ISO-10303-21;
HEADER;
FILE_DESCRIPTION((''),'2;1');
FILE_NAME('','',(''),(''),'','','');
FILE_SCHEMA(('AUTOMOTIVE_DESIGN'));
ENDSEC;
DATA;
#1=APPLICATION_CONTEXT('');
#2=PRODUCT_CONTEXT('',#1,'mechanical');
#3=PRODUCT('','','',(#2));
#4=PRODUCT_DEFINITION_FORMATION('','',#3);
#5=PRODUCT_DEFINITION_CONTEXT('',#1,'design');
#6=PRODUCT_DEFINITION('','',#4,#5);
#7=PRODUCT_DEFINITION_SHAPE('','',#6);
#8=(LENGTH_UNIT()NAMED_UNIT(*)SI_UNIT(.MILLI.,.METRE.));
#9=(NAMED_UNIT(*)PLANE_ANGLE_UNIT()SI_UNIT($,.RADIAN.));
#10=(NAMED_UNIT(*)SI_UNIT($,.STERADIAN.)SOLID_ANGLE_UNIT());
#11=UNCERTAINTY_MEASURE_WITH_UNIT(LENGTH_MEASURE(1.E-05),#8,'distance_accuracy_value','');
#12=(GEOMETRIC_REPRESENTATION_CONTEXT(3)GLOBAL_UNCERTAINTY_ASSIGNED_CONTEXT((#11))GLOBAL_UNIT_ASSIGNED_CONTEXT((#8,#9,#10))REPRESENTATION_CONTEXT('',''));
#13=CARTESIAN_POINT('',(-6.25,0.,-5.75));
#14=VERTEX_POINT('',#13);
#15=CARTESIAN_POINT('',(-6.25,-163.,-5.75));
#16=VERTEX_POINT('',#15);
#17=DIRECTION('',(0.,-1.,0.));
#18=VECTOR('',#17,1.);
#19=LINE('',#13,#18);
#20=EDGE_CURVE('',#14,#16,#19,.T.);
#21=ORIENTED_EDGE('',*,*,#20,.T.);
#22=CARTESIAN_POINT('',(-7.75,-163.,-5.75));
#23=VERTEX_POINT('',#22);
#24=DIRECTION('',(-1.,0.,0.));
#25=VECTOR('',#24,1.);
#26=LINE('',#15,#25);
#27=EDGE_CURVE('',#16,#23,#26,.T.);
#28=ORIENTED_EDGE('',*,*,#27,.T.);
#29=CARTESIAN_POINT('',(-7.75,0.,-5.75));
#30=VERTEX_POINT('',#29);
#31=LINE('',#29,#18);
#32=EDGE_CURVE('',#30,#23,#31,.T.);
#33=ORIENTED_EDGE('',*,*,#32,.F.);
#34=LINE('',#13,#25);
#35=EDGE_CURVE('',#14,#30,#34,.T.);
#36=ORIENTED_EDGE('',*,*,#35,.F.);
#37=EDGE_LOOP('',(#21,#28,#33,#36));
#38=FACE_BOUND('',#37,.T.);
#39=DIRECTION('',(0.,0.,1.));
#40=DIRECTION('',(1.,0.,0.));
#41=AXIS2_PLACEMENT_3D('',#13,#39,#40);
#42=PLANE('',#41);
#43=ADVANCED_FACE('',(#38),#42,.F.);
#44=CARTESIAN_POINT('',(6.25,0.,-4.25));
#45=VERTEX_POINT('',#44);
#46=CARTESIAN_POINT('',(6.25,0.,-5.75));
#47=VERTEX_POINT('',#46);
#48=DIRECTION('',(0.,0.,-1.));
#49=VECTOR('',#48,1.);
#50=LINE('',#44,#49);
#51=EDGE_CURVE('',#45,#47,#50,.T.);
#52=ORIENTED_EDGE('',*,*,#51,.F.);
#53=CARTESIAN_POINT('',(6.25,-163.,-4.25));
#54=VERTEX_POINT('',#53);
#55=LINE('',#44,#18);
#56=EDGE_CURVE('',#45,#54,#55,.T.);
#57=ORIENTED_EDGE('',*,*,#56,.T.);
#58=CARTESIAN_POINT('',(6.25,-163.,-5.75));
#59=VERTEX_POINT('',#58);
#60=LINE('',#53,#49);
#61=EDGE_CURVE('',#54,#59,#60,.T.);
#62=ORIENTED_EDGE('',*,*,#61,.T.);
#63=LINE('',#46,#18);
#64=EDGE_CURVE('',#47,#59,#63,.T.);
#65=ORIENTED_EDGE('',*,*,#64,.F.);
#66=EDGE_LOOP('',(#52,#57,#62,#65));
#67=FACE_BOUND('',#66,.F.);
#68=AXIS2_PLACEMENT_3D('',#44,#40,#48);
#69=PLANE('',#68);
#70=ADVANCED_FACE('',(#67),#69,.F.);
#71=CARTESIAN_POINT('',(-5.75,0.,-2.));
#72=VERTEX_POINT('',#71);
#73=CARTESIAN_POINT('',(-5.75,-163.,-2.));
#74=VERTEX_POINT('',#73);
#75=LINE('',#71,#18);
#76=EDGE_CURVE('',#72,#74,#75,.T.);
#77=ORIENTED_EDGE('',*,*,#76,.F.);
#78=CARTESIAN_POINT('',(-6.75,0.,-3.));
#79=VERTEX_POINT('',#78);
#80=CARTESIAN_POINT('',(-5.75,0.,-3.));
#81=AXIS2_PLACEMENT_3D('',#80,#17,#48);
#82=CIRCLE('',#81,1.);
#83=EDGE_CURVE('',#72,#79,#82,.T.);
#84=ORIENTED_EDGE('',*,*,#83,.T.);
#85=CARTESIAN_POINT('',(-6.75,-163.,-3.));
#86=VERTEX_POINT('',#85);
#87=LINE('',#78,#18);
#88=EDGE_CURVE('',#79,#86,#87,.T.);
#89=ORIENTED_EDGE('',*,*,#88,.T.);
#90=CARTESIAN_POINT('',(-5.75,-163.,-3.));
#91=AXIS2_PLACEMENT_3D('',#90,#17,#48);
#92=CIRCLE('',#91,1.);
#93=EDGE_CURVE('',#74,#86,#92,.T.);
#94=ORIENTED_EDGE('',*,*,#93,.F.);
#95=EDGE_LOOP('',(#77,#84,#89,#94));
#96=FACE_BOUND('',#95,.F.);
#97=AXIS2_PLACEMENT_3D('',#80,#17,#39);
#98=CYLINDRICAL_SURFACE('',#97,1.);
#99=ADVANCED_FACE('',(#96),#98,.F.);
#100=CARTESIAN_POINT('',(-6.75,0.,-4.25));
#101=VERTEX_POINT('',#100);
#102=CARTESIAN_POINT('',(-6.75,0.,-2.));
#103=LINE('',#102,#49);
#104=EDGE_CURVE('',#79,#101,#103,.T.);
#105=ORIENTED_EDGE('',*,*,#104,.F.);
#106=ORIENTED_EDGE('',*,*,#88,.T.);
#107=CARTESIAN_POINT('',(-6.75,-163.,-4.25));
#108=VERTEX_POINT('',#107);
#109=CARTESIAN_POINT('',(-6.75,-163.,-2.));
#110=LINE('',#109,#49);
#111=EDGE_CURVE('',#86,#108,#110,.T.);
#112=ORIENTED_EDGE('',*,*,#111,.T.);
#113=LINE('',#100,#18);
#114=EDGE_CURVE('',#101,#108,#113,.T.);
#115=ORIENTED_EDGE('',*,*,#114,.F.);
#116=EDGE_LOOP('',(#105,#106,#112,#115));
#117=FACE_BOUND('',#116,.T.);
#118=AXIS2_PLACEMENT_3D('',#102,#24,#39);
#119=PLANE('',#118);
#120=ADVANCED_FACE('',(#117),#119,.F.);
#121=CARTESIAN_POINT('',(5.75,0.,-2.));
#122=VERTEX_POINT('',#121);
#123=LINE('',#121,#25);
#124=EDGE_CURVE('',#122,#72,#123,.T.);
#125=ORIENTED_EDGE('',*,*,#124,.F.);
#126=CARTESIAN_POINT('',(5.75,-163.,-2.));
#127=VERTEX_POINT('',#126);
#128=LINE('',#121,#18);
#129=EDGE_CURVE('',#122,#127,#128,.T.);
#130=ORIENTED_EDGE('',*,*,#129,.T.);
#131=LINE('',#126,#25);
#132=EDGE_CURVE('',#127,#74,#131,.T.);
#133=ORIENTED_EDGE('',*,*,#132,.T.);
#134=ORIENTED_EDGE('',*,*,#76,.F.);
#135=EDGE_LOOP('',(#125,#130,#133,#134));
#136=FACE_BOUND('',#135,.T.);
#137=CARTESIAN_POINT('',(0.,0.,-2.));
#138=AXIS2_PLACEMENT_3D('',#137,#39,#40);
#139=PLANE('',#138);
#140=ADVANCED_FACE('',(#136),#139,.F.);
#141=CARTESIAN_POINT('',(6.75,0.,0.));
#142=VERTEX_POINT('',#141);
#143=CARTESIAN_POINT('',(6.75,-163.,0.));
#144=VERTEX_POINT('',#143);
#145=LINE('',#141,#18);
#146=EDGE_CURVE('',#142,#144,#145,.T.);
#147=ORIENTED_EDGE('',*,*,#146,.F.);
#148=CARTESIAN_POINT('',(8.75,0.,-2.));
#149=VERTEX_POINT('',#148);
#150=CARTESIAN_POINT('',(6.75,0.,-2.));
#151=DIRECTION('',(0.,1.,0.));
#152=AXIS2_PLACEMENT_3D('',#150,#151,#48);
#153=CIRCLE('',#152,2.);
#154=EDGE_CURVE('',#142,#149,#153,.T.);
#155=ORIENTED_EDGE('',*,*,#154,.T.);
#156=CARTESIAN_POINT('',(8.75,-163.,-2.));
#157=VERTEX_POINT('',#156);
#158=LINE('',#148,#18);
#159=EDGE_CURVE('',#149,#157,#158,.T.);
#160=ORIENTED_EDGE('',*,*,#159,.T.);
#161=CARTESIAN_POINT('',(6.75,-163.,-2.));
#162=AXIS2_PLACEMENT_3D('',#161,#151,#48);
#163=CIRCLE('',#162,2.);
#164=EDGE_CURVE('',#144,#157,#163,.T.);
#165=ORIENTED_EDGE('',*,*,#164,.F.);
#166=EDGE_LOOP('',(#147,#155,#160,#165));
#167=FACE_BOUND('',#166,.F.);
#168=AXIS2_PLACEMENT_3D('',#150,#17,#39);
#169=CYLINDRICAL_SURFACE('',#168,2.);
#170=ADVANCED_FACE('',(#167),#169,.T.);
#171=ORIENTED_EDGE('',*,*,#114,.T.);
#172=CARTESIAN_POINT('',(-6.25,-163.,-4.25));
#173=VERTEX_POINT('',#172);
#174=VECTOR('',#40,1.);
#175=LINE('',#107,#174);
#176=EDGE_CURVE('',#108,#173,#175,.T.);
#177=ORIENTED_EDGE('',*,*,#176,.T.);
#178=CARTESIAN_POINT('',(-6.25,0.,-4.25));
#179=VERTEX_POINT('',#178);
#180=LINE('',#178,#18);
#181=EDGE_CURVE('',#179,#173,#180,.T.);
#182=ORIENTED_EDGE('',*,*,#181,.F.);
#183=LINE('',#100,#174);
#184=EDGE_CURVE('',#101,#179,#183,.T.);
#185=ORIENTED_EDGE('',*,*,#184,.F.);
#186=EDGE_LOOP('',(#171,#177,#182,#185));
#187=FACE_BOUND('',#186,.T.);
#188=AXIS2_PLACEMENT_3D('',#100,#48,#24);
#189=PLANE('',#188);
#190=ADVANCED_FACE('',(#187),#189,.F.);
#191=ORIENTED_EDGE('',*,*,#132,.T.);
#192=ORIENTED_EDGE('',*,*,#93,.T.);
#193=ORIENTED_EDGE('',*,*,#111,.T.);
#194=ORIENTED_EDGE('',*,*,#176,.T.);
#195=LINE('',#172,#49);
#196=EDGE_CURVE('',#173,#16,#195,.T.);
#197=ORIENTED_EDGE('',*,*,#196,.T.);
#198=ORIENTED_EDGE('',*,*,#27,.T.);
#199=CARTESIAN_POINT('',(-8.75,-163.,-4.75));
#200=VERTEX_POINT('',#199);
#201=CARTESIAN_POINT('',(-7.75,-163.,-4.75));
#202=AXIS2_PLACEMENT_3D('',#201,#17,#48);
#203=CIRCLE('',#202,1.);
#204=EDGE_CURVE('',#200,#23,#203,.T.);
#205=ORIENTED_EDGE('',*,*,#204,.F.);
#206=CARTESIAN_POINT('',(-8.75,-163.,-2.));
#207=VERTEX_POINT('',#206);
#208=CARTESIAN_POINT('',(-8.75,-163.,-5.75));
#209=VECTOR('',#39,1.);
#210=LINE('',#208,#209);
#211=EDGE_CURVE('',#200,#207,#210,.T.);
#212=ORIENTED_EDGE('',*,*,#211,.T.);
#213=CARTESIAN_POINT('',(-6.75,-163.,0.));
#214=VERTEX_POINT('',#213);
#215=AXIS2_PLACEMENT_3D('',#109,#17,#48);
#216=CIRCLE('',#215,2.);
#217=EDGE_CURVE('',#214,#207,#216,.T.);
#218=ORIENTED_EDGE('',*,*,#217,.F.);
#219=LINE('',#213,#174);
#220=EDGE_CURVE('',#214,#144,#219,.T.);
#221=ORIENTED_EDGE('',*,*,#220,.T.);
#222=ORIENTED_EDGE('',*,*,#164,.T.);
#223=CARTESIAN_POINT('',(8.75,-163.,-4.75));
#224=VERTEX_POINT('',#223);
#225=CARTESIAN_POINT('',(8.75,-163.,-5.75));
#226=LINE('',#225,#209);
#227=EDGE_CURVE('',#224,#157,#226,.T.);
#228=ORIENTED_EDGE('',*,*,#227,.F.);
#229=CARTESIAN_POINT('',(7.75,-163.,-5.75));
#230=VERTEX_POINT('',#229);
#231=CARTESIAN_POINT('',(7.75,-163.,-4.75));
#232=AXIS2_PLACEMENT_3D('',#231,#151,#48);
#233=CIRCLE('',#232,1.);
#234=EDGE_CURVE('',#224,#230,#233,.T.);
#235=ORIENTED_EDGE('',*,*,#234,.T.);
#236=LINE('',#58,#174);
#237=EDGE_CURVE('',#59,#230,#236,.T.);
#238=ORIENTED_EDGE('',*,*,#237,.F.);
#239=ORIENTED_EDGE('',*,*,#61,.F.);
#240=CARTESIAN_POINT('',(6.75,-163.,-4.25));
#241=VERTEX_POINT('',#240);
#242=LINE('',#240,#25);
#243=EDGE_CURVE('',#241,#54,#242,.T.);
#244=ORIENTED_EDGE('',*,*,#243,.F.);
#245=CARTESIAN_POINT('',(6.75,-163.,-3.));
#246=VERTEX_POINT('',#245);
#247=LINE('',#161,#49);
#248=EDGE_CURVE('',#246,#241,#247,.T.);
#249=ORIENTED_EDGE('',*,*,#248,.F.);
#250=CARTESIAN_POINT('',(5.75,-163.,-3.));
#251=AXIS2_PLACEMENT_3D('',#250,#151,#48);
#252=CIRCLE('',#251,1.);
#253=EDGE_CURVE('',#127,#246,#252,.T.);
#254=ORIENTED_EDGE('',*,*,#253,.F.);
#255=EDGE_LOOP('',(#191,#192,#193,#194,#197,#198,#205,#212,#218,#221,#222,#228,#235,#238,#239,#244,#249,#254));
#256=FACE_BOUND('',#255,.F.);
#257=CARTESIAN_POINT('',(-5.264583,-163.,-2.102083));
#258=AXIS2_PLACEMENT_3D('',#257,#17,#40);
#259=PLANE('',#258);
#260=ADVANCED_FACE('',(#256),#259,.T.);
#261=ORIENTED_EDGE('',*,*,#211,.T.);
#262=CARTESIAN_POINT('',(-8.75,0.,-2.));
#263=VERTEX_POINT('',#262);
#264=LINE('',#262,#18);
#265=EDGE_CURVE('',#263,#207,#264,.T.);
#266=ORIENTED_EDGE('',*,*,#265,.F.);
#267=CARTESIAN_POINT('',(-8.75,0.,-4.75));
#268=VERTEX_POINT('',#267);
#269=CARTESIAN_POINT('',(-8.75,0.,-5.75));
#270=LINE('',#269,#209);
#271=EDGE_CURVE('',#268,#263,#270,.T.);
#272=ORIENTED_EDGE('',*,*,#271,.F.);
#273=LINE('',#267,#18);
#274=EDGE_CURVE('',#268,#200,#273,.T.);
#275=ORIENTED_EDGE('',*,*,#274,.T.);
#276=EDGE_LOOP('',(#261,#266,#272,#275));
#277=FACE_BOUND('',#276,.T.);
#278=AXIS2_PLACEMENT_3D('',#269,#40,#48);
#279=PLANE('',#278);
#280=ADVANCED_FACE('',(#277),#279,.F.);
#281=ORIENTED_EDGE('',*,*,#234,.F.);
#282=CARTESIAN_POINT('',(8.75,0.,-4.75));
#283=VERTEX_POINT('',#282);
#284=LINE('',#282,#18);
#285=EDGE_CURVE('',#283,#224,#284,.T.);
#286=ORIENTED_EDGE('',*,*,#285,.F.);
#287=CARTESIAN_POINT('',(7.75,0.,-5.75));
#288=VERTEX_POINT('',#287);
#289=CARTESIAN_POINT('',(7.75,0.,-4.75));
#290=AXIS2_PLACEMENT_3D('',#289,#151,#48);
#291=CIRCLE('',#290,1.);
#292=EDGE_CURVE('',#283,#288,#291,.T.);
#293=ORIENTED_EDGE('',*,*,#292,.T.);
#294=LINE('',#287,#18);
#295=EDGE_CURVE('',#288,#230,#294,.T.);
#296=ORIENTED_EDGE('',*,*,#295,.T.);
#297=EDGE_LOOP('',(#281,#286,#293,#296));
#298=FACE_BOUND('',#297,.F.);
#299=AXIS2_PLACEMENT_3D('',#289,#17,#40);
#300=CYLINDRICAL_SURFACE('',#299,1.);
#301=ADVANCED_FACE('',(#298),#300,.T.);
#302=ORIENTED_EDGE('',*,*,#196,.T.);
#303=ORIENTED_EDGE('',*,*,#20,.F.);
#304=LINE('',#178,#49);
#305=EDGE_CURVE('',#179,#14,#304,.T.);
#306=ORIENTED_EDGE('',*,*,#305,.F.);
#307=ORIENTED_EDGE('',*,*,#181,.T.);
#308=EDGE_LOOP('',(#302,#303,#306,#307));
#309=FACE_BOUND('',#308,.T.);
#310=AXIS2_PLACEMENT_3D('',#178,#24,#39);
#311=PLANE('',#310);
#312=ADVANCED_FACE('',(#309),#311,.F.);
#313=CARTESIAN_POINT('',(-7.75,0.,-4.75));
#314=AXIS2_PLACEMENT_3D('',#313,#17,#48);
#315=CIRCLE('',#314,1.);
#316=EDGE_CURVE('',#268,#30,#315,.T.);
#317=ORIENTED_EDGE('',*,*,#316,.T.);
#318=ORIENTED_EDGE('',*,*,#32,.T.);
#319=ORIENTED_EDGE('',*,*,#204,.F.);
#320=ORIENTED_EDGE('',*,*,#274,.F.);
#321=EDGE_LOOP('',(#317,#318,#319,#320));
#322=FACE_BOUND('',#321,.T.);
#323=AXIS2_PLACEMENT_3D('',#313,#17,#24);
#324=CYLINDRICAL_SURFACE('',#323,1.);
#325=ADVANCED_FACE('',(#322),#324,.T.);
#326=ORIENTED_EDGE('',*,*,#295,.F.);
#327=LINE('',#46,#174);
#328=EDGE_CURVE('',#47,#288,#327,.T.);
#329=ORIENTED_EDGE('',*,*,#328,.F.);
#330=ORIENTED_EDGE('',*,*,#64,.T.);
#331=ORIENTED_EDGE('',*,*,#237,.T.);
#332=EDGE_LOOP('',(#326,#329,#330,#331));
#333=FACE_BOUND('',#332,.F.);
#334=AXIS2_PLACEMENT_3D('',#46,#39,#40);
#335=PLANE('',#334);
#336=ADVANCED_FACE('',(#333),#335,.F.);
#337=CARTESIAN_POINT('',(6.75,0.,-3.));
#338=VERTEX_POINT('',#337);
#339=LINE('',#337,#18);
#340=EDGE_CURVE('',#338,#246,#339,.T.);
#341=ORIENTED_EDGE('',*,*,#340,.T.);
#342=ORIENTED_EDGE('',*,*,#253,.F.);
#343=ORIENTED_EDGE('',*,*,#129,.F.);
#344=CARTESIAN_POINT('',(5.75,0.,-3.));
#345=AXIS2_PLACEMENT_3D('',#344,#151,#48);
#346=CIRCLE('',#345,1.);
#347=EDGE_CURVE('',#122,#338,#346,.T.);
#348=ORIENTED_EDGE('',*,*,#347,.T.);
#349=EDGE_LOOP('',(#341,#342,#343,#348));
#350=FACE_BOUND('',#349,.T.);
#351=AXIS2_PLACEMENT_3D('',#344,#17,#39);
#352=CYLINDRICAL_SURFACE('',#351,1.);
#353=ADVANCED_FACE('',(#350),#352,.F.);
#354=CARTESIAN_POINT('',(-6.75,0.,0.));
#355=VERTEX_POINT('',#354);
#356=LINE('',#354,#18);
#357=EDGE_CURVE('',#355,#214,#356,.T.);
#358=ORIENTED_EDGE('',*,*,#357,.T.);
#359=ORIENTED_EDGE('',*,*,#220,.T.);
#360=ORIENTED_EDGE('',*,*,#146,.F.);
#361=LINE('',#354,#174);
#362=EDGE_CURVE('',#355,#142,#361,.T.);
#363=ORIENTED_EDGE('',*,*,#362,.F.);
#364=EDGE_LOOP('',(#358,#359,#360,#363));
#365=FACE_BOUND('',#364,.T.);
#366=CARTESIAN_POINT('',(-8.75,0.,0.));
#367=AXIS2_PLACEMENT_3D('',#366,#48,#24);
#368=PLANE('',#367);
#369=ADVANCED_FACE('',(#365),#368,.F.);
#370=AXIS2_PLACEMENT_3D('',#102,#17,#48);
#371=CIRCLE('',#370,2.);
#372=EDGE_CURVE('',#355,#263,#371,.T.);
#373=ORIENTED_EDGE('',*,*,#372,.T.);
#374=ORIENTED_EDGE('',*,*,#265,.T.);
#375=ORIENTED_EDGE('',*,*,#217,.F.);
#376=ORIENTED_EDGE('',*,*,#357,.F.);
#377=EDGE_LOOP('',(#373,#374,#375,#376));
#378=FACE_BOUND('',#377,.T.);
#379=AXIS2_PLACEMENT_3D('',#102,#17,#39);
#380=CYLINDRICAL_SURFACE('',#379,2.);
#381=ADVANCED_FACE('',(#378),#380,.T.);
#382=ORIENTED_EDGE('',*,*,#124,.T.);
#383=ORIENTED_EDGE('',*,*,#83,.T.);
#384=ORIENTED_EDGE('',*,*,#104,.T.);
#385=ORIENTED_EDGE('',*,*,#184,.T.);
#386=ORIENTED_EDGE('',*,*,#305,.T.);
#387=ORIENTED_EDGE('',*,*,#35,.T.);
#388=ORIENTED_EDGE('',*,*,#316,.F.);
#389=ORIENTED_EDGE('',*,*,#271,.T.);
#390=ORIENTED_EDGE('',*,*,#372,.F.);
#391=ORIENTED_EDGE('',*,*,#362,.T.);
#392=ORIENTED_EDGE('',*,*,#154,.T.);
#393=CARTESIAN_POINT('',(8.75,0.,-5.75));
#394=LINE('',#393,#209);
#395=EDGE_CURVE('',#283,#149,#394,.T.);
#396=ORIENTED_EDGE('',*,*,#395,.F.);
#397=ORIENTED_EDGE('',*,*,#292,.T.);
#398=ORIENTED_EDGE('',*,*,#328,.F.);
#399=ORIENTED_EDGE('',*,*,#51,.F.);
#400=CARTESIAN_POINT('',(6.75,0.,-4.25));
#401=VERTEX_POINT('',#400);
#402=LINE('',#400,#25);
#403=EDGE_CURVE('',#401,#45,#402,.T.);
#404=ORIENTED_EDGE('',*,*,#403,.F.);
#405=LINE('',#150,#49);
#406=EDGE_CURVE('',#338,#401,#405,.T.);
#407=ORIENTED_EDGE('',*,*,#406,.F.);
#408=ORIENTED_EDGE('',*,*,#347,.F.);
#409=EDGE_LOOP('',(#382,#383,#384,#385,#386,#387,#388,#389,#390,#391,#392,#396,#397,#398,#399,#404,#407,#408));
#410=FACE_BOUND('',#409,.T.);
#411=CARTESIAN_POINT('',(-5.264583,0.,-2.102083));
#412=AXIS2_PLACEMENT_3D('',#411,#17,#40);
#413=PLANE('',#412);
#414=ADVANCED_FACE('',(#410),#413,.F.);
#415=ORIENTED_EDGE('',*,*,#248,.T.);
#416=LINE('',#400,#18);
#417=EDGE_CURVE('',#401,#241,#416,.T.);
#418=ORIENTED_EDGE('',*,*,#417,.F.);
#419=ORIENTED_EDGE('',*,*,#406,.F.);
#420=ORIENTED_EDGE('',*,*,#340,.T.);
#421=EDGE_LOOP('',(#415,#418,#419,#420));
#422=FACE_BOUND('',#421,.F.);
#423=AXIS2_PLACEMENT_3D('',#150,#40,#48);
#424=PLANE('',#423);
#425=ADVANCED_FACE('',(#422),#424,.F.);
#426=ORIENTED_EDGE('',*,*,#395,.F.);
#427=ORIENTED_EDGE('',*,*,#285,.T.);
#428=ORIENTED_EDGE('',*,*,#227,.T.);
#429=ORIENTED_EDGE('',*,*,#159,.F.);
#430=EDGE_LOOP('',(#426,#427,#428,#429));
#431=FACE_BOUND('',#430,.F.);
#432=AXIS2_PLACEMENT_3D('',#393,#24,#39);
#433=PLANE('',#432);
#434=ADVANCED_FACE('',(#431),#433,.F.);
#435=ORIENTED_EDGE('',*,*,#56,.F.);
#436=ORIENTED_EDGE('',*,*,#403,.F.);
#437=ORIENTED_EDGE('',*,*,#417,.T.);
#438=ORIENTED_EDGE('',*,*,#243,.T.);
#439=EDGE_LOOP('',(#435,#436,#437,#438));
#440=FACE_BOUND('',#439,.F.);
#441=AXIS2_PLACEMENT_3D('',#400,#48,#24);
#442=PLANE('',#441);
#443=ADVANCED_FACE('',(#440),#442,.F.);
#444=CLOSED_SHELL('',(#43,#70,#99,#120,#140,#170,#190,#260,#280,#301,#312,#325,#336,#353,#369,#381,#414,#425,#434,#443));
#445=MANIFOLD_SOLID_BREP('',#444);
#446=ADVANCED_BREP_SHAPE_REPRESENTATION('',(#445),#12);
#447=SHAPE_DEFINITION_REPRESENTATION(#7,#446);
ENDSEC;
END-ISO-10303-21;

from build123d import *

# Parameters (mm, degrees)
F1_DEPTH = 163
F2_R     = 2
F3_R     = 1
F4_R     = 1


with BuildPart() as f1:
    # F0 (on Front) → F1 (new body)
    with BuildSketch(Plane.XZ):
        Polygon((8.75, 0), (0, 0), (0, -2), (6.75, -2), (6.75, -4.25), (6.25, -4.25), (6.25, -5.75), (8.75, -5.75), align=None)
    extrude(amount=F1_DEPTH)

    # F2
    f2_edges = [f1.edges().sort_by_distance(p)[0] for p in [
        (8.75, -81.5, 0),
    ]]
    fillet(f2_edges, radius=F2_R)

    # F3
    f3_edges = [f1.edges().sort_by_distance(p)[0] for p in [
        (6.75, -81.5, -2),
    ]]
    fillet(f3_edges, radius=F3_R)

    # F4
    f4_edges = [f1.edges().sort_by_distance(p)[0] for p in [
        (8.75, -81.5, -5.75),
    ]]
    fillet(f4_edges, radius=F4_R)

    # F5: F1 across plane


with BuildPart() as f1_1:
    add(f1.part)
    add(f1.part.mirror(Plane.YZ))


solid = f1_1.part
